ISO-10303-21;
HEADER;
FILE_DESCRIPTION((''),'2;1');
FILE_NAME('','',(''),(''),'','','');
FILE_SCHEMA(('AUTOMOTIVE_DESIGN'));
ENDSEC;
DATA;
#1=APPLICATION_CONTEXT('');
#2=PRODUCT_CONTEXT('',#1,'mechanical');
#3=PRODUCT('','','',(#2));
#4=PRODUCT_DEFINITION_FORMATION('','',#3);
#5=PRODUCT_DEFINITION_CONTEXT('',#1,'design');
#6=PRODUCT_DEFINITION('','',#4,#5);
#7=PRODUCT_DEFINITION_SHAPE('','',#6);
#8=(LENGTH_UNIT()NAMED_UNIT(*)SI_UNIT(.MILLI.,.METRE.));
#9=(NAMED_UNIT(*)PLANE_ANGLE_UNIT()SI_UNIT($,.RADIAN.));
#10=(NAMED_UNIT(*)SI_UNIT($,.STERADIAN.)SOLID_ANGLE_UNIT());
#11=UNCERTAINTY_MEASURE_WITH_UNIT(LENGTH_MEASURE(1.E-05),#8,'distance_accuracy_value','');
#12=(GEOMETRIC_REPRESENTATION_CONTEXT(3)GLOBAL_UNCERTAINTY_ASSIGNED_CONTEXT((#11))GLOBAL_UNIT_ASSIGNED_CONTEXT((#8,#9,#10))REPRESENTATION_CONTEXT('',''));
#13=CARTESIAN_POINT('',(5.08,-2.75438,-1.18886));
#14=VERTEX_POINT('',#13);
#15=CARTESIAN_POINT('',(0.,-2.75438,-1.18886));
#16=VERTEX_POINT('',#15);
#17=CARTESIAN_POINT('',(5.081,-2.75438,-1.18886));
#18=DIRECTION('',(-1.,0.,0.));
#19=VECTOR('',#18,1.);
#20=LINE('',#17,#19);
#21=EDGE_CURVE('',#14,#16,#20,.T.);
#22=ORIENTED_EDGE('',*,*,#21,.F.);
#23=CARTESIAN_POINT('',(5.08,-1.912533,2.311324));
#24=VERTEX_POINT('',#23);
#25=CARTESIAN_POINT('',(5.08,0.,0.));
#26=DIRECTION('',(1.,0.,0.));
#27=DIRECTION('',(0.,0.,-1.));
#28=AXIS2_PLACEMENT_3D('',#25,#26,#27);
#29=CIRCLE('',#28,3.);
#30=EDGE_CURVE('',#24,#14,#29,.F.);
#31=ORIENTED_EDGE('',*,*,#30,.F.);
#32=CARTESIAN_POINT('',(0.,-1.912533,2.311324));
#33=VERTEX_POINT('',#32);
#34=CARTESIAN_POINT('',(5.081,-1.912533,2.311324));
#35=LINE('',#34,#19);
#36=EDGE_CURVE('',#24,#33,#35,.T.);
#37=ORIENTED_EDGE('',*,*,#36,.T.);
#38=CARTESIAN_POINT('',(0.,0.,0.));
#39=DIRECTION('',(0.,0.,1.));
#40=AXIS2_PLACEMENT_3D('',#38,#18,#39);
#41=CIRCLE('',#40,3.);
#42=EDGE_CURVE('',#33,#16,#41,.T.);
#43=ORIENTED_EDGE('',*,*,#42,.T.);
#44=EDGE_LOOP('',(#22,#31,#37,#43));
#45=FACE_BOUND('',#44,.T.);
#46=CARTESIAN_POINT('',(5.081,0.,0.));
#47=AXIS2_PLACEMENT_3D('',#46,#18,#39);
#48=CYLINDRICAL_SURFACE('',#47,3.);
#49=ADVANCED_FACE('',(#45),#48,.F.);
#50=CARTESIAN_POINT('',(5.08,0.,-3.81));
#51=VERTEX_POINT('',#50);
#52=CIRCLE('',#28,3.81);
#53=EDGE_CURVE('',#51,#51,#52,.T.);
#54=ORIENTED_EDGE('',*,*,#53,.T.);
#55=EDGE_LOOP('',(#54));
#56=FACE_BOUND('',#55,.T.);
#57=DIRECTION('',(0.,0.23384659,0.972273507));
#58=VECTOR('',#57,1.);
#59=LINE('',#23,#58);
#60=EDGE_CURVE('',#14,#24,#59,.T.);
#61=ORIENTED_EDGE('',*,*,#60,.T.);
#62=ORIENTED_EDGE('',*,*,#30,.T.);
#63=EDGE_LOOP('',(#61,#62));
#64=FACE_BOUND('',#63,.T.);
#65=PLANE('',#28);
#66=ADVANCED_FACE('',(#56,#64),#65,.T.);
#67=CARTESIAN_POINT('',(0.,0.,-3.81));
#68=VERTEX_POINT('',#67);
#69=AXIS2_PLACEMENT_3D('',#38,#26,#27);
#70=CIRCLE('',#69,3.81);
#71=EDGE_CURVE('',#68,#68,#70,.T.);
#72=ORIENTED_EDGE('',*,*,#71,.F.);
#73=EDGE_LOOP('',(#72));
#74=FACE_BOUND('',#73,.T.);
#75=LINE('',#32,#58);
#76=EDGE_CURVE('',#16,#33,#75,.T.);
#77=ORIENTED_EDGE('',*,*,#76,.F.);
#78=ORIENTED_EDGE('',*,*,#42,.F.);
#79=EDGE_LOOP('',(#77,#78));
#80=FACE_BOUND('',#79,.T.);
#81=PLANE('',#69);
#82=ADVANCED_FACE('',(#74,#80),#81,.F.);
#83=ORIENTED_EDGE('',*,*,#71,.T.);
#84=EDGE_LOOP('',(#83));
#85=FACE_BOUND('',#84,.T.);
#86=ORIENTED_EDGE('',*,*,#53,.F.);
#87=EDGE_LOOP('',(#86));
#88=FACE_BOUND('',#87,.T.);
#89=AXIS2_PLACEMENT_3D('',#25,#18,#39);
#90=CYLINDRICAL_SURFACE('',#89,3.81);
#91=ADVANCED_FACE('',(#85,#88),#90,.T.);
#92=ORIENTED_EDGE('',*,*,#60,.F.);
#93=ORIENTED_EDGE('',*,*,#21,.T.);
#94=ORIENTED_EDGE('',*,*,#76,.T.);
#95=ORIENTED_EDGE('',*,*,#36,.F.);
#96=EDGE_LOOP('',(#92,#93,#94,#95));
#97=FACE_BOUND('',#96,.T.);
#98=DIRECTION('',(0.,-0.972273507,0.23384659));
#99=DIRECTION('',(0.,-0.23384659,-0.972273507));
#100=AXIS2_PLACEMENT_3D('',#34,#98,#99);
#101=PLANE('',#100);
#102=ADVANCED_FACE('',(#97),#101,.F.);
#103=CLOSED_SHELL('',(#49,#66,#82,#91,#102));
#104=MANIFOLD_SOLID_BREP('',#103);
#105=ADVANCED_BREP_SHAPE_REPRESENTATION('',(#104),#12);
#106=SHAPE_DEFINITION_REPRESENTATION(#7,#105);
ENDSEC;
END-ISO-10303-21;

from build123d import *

# Parameters (mm, degrees)
SKETCH1_R           = 3.81
BOSS_EXTRUDE1_DEPTH = 5.08
CUT_EXTRUDE1_REACH  = 7.08


with BuildPart() as part:
    # Sketch1 → Boss-Extrude1 (new body)
    with BuildSketch(Plane(origin=(0, 0, 0), x_dir=(0, 0, -1), z_dir=(1, 0, 0))):
        Circle(SKETCH1_R)
    extrude(amount=BOSS_EXTRUDE1_DEPTH)

    # Sketch2 → Cut-Extrude1 (cut, up to next)
    with BuildSketch(Plane.ZY, mode=Mode.PRIVATE) as cut_extrude1_sk1:
        with BuildLine():
            Line((2.311324129, -1.912532554), (-1.188860496, -2.754380279))
            ThreePointArc((-1.188860496, -2.754380279), (-0.701539771, 2.916820521), (2.311324129, -1.912532554))
        make_face()
    cut_extrude1_tool1 = extrude(cut_extrude1_sk1.sketch, amount=-CUT_EXTRUDE1_REACH, mode=Mode.PRIVATE) & part.part
    add(cut_extrude1_tool1.solids().sort_by_distance((0, 0.141037, -0.033922))[0], mode=Mode.SUBTRACT)


solid = part.part
